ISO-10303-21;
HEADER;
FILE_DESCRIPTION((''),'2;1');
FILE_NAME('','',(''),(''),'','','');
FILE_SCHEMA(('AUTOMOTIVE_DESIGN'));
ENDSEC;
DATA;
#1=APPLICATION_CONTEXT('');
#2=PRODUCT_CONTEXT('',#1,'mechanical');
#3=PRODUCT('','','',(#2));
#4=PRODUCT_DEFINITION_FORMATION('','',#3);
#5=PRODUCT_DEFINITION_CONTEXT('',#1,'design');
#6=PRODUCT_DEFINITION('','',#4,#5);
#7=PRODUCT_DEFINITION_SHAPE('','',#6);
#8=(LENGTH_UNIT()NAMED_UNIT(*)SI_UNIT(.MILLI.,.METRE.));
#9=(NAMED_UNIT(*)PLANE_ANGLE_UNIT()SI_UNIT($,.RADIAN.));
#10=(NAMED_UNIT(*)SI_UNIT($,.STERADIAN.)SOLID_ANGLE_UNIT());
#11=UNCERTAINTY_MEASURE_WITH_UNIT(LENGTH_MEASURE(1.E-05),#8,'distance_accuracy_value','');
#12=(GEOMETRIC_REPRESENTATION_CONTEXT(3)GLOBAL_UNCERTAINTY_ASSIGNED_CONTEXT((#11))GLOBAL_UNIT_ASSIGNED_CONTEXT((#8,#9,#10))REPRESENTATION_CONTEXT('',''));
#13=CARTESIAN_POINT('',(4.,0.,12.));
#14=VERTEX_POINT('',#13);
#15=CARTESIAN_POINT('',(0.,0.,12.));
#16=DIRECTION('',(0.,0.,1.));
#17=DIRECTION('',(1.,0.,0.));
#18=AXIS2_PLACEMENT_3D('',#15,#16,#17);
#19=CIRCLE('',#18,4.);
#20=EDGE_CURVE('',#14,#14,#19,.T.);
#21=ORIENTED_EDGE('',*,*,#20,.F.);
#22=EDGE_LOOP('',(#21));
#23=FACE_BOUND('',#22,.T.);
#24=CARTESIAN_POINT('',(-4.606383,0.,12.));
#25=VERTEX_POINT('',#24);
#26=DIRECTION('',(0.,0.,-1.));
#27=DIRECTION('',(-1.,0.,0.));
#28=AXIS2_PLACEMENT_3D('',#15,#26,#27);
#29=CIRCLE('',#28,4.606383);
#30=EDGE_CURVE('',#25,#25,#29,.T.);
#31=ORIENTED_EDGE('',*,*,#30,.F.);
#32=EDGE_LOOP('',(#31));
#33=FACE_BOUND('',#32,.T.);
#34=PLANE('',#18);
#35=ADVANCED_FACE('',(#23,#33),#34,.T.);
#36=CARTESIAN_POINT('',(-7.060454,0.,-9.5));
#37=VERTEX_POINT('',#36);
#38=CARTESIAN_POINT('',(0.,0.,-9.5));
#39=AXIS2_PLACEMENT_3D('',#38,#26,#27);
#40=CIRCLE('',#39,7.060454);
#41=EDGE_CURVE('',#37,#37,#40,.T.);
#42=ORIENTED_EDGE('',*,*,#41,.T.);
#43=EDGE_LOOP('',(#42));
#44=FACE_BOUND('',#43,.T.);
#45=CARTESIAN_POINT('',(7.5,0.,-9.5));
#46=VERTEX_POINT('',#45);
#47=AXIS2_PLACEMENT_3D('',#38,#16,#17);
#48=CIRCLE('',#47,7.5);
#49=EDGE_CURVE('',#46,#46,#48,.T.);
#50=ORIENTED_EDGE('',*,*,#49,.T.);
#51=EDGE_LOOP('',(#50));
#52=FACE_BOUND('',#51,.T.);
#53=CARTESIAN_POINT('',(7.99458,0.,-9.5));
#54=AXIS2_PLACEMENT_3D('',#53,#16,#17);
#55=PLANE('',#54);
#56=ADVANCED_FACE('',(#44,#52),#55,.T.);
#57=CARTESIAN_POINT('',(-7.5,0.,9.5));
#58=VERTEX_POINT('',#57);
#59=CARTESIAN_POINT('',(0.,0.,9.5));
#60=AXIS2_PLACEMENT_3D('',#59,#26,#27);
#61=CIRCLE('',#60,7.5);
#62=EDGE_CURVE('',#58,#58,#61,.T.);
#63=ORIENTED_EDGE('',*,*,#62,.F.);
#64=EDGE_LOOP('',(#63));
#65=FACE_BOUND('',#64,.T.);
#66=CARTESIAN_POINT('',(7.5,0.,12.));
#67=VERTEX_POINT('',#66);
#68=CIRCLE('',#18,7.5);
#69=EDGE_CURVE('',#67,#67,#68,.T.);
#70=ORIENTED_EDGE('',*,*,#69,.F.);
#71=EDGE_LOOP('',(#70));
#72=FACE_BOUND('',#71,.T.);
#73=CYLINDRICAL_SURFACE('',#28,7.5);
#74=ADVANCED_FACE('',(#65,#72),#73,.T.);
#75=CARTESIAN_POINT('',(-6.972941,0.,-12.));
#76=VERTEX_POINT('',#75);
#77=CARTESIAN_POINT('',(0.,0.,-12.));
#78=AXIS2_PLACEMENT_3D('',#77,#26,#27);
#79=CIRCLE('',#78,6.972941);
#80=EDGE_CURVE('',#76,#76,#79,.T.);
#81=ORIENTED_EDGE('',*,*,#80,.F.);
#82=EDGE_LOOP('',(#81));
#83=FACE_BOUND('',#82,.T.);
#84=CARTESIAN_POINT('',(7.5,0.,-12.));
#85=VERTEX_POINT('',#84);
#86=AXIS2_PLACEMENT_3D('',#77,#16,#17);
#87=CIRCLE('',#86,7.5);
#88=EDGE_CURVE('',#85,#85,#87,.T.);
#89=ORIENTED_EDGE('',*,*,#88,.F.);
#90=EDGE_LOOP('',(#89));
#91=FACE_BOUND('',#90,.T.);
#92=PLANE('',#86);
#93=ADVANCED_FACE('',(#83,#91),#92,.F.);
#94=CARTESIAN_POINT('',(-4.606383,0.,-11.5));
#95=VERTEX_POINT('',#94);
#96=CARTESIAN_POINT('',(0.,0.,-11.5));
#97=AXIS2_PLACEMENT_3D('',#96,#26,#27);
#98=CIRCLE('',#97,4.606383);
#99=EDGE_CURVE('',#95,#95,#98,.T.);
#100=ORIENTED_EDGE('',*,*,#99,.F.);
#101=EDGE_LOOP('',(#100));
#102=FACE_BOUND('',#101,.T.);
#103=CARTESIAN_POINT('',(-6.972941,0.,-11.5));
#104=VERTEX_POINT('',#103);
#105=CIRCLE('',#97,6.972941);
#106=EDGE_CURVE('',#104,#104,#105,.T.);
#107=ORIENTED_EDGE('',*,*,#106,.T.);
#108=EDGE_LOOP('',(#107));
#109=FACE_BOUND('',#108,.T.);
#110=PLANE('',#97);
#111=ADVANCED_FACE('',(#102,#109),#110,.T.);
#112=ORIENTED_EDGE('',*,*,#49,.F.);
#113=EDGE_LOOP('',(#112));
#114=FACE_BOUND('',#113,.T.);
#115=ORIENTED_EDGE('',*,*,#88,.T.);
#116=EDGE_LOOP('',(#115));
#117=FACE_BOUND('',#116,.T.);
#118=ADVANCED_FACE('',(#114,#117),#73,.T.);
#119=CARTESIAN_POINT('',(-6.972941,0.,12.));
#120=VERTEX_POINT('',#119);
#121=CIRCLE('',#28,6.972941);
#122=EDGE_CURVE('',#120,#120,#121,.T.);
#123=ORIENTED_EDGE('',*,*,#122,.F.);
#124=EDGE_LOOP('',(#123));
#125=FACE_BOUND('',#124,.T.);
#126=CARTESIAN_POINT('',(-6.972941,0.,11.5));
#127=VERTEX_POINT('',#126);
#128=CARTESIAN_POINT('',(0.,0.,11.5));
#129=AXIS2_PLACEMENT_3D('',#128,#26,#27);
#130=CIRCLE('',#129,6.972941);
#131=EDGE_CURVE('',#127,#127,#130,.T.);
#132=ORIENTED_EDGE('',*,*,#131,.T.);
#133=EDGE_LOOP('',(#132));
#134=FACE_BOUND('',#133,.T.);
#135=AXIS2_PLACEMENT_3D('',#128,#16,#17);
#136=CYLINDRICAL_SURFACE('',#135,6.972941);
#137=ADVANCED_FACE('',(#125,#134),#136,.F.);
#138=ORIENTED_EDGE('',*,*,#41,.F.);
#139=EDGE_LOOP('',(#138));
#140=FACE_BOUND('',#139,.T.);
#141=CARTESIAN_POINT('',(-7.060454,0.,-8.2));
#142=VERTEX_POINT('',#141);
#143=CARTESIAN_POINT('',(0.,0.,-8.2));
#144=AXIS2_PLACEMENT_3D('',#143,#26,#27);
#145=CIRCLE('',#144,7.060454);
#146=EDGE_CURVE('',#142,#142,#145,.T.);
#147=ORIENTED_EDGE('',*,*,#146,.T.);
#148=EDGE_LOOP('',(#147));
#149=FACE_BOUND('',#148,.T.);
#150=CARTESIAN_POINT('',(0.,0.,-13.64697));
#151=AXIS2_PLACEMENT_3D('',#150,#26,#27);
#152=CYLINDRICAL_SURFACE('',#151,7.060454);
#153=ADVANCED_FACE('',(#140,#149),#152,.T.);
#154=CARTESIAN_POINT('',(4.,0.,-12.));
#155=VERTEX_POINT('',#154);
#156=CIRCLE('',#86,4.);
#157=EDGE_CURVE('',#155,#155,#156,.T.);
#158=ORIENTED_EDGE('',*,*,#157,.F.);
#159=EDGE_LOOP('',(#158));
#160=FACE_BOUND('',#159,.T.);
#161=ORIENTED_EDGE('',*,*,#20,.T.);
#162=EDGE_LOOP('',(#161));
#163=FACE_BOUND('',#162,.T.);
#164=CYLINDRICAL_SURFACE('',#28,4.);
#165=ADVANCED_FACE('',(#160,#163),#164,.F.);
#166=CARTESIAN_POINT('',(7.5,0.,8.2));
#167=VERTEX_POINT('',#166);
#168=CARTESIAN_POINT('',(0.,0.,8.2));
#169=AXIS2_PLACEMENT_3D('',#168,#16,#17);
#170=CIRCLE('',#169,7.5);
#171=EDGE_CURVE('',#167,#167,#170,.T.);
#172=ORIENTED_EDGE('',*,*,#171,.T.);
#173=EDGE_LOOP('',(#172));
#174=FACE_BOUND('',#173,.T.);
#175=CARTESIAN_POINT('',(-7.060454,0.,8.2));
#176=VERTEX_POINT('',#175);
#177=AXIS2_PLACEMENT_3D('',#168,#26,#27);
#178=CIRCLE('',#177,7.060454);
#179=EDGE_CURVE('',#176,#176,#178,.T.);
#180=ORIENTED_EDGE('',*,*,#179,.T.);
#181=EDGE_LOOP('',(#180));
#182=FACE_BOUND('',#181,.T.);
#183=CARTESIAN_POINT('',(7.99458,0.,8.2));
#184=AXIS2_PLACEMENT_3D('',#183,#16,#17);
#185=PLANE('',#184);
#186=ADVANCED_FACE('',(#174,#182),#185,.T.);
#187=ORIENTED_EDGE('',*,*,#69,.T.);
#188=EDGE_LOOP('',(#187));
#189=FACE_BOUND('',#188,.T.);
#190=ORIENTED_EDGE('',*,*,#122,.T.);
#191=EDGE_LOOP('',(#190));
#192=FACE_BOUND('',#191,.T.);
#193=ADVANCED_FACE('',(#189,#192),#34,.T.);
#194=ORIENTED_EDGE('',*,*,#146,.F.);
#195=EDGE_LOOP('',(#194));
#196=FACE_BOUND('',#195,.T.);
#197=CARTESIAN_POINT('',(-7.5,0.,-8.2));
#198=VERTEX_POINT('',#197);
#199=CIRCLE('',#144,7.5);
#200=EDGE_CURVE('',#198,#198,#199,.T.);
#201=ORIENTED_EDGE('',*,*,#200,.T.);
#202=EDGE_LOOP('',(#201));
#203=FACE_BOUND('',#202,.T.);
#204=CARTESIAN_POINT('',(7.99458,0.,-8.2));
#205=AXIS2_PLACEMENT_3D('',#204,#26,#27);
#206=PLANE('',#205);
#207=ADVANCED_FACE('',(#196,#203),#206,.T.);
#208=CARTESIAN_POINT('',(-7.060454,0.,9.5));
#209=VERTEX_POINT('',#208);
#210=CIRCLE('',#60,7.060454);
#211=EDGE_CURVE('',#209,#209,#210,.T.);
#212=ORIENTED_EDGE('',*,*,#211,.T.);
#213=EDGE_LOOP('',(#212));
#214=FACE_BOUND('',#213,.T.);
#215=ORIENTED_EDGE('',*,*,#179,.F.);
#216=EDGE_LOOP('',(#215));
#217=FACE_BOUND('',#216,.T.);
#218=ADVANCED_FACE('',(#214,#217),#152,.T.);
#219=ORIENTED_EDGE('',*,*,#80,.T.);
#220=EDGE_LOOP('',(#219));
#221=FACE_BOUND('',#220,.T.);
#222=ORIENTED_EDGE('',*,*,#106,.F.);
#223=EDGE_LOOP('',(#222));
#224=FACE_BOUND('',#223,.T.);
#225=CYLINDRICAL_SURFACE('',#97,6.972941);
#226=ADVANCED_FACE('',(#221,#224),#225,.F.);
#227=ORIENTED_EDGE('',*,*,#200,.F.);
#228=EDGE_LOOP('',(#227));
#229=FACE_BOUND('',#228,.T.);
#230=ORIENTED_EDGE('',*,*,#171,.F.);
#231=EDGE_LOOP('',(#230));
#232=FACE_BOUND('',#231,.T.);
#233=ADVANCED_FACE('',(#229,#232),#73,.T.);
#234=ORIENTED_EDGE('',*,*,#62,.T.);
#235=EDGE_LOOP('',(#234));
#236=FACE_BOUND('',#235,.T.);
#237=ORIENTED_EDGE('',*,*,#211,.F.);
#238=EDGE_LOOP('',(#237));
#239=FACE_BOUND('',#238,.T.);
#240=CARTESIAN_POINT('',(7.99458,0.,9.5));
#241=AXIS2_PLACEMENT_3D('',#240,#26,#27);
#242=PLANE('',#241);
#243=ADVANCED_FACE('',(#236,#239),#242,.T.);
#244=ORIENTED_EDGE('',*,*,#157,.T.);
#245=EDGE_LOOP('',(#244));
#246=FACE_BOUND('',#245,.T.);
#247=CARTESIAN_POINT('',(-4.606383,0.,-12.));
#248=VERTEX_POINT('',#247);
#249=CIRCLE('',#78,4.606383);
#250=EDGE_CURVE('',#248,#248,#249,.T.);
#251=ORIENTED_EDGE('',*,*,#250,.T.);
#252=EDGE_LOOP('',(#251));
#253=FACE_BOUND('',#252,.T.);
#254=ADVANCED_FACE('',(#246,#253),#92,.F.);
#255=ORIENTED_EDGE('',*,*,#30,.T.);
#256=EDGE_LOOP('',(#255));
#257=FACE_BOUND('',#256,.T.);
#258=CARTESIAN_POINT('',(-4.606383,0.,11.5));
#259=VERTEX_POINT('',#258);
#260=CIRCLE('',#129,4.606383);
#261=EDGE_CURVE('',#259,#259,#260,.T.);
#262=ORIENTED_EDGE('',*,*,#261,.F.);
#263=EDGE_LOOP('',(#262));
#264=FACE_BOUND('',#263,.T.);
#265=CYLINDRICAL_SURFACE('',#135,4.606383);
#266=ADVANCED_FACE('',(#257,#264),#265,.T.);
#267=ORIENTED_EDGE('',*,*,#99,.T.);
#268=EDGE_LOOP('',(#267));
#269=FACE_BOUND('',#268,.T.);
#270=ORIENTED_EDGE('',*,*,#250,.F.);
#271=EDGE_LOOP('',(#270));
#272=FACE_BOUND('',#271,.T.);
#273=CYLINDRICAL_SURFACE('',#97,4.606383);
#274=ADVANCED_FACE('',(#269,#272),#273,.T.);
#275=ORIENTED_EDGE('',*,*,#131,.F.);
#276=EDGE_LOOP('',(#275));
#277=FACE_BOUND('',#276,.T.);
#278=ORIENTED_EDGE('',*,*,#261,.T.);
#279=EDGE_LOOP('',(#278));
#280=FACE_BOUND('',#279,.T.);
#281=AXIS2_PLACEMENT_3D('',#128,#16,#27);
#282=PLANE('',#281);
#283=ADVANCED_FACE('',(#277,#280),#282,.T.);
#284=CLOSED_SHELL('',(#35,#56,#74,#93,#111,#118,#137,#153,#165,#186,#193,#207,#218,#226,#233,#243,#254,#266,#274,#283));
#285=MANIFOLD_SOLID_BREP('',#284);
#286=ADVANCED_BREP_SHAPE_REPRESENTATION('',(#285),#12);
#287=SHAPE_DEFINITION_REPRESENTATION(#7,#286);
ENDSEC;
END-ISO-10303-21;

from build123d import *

# Parameters (mm, degrees)
SKETCH1_R           = 7.5
SKETCH1_R_2         = 4
BOSS_EXTRUDE1_DEPTH = 12
SKETCH2_W           = 0.934125578
SKETCH2_H           = 1.3
SKETCH3_R           = 6.972941291
SKETCH3_R_2         = 4.606383091
CUT_EXTRUDE1_DEPTH  = 0.5


with BuildPart() as part:
    # Sketch1 → Boss-Extrude1 (new body, symmetric)
    with BuildSketch(Plane.XY):
        Circle(SKETCH1_R)
        Circle(SKETCH1_R_2, mode=Mode.SUBTRACT)
    extrude(amount=BOSS_EXTRUDE1_DEPTH, both=True)

    # Sketch2 → Cut-Revolve1 (revolve, cut)
    with BuildSketch(Plane(origin=(0, 0, 0), x_dir=(1, 0, 0), z_dir=(0, 1, 0))):
        with Locations((7.527516863, -8.85)):
            Rectangle(SKETCH2_W, SKETCH2_H)
        with Locations((7.527516863, 8.85)):
            Rectangle(SKETCH2_W, SKETCH2_H)
    revolve(axis=Axis((0, 0, -13.646970123), (0, 0, 1)), mode=Mode.SUBTRACT)

    # Sketch3 → Cut-Extrude1 (cut)
    with BuildSketch(Plane(origin=(0, 0, -12), x_dir=(-1, 0, 0), z_dir=(0, 0, -1))):
        Circle(SKETCH3_R)
        Circle(SKETCH3_R_2, mode=Mode.SUBTRACT)
    cut_extrude1 = extrude(amount=-CUT_EXTRUDE1_DEPTH, mode=Mode.SUBTRACT)

    # Mirror1: Cut-Extrude1 across plane
    add(cut_extrude1.mirror(Plane.XY), mode=Mode.SUBTRACT)


solid = part.part
